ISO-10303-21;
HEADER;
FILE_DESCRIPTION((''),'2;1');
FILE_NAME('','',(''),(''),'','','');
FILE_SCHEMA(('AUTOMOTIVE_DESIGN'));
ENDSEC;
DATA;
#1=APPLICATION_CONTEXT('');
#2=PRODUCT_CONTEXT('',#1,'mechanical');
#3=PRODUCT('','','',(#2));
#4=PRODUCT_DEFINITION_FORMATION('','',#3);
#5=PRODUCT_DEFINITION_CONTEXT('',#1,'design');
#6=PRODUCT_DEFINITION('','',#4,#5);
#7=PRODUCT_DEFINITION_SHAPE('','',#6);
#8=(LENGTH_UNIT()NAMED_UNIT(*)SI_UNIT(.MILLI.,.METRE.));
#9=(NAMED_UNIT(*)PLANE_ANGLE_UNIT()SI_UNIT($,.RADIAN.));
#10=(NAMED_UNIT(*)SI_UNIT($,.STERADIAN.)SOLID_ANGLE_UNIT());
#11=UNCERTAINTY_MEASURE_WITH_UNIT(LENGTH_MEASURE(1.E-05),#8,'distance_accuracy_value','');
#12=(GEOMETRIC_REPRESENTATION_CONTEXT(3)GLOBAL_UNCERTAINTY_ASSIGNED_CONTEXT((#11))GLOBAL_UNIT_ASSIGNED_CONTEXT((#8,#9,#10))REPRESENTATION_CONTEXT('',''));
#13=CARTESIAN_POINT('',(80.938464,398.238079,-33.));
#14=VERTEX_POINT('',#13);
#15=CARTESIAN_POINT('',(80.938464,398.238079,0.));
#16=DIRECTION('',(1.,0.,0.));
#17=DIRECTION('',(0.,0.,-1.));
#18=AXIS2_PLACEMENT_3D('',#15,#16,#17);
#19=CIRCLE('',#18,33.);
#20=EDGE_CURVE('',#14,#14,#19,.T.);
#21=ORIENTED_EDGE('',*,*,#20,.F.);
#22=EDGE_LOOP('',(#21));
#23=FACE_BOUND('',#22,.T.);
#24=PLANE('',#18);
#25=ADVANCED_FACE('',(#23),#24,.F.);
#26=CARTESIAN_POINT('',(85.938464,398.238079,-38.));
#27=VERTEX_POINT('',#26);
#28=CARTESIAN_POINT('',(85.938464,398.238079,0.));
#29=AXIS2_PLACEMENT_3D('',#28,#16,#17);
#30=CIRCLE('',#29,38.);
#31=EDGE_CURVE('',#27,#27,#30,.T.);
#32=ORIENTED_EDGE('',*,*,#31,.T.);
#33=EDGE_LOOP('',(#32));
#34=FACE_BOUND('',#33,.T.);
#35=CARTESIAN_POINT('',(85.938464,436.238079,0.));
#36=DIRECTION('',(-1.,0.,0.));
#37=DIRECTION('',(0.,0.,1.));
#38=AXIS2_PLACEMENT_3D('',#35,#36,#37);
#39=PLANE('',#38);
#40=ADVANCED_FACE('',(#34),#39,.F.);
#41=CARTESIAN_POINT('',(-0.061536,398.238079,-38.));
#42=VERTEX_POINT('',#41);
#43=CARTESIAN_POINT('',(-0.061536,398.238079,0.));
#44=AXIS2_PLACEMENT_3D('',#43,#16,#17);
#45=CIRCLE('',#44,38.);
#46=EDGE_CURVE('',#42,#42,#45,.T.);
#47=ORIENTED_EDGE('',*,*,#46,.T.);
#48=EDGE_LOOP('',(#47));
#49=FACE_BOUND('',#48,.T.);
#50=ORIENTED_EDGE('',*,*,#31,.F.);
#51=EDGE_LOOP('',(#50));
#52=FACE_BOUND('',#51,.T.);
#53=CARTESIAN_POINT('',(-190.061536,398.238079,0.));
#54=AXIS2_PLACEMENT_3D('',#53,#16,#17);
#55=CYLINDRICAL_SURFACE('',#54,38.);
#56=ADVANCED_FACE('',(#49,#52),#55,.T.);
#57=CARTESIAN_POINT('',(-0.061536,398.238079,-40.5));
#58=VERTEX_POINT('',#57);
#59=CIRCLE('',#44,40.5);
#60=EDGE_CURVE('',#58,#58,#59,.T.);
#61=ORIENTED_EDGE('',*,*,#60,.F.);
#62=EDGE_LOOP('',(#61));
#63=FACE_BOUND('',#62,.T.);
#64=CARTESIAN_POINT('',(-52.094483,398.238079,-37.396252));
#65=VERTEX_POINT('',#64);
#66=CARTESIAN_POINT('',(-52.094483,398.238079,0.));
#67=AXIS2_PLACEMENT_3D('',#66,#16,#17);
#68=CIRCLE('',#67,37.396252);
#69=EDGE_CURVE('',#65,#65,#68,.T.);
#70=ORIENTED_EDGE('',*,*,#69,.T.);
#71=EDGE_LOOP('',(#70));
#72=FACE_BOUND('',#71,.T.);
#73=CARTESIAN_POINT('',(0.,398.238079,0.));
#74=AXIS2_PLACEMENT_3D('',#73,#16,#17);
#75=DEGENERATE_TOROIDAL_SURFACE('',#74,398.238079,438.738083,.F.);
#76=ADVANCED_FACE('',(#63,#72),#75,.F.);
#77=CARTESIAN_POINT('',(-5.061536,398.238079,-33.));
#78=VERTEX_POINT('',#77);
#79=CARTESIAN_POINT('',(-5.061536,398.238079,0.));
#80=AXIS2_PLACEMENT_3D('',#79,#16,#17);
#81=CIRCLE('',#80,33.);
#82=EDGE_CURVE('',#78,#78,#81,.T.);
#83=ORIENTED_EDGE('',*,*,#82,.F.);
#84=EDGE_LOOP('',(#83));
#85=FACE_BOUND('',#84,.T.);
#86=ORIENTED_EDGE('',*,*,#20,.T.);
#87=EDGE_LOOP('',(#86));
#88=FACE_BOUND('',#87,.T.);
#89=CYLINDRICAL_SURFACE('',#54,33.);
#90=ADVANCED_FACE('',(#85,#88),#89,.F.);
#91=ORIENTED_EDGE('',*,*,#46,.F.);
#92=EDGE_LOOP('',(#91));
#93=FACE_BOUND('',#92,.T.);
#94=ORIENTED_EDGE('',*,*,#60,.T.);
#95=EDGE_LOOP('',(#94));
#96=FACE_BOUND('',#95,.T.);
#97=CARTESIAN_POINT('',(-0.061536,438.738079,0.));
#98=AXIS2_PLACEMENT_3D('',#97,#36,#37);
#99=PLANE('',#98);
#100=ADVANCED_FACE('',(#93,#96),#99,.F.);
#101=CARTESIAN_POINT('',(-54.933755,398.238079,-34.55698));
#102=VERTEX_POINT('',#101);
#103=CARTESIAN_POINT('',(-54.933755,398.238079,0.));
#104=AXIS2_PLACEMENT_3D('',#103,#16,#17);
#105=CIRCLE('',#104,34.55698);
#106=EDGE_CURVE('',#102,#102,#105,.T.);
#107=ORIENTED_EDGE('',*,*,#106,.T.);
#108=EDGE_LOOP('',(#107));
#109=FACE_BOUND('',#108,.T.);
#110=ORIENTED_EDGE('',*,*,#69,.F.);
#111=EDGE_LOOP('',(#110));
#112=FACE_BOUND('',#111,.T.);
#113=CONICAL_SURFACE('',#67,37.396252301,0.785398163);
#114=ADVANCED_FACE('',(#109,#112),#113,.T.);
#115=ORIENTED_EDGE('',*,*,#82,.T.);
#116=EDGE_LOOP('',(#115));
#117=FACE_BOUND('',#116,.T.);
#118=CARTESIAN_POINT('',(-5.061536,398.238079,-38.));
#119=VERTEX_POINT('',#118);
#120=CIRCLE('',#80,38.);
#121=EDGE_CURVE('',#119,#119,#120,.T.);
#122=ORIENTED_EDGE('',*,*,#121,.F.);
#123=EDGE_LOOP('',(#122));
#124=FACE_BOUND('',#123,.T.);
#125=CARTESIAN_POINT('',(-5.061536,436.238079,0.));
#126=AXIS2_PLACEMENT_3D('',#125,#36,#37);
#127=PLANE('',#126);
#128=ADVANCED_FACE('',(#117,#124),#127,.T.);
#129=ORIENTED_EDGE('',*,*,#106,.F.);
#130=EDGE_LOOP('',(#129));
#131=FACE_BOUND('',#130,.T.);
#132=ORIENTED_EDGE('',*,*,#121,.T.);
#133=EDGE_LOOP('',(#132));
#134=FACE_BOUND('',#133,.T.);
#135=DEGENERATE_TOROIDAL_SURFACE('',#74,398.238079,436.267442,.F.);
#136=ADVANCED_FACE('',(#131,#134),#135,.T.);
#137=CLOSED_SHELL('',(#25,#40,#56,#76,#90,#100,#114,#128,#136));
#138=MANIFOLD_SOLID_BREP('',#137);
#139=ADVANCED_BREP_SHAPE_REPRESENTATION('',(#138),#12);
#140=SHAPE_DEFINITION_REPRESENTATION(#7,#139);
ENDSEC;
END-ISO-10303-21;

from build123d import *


with BuildPart() as part:
    # Sketch2 → Revolve1 (revolve)
    with BuildSketch(Plane.XY, mode=Mode.PRIVATE) as revolve1_sk:
        with BuildLine():
            Line((-0.061536303, 438.738079124), (-0.061536303, 436.238079124))
            Line((-0.061536303, 436.238079124), (85.938463697, 436.238079124))
            Line((85.938463697, 436.238079124), (85.938463697, 398.238079124))
            Line((85.938463697, 398.238079124), (80.938463697, 398.238079124))
            Line((80.938463697, 398.238079124), (80.938463697, 431.238079124))
            Line((80.938463697, 431.238079124), (-5.061536303, 431.238079124))
            Line((-5.061536303, 431.238079124), (-5.061536303, 436.238079124))
            ThreePointArc((-5.061536303, 436.238079124), (-30.047002163, 435.231499881), (-54.933754935, 432.795059348))
            Line((-54.933754935, 432.795059348), (-52.094482858, 435.634331425))
            ThreePointArc((-52.094482858, 435.634331425), (-26.124143931, 437.959627094), (-0.061536303, 438.738079124))
        make_face()
    revolve(revolve1_sk.sketch.rotate(Axis((-190.061536303, 398.238079124, 0), (-1, 0, 0)), 90), axis=Axis((-190.061536303, 398.238079124, 0), (-1, 0, 0)))


solid = part.part
